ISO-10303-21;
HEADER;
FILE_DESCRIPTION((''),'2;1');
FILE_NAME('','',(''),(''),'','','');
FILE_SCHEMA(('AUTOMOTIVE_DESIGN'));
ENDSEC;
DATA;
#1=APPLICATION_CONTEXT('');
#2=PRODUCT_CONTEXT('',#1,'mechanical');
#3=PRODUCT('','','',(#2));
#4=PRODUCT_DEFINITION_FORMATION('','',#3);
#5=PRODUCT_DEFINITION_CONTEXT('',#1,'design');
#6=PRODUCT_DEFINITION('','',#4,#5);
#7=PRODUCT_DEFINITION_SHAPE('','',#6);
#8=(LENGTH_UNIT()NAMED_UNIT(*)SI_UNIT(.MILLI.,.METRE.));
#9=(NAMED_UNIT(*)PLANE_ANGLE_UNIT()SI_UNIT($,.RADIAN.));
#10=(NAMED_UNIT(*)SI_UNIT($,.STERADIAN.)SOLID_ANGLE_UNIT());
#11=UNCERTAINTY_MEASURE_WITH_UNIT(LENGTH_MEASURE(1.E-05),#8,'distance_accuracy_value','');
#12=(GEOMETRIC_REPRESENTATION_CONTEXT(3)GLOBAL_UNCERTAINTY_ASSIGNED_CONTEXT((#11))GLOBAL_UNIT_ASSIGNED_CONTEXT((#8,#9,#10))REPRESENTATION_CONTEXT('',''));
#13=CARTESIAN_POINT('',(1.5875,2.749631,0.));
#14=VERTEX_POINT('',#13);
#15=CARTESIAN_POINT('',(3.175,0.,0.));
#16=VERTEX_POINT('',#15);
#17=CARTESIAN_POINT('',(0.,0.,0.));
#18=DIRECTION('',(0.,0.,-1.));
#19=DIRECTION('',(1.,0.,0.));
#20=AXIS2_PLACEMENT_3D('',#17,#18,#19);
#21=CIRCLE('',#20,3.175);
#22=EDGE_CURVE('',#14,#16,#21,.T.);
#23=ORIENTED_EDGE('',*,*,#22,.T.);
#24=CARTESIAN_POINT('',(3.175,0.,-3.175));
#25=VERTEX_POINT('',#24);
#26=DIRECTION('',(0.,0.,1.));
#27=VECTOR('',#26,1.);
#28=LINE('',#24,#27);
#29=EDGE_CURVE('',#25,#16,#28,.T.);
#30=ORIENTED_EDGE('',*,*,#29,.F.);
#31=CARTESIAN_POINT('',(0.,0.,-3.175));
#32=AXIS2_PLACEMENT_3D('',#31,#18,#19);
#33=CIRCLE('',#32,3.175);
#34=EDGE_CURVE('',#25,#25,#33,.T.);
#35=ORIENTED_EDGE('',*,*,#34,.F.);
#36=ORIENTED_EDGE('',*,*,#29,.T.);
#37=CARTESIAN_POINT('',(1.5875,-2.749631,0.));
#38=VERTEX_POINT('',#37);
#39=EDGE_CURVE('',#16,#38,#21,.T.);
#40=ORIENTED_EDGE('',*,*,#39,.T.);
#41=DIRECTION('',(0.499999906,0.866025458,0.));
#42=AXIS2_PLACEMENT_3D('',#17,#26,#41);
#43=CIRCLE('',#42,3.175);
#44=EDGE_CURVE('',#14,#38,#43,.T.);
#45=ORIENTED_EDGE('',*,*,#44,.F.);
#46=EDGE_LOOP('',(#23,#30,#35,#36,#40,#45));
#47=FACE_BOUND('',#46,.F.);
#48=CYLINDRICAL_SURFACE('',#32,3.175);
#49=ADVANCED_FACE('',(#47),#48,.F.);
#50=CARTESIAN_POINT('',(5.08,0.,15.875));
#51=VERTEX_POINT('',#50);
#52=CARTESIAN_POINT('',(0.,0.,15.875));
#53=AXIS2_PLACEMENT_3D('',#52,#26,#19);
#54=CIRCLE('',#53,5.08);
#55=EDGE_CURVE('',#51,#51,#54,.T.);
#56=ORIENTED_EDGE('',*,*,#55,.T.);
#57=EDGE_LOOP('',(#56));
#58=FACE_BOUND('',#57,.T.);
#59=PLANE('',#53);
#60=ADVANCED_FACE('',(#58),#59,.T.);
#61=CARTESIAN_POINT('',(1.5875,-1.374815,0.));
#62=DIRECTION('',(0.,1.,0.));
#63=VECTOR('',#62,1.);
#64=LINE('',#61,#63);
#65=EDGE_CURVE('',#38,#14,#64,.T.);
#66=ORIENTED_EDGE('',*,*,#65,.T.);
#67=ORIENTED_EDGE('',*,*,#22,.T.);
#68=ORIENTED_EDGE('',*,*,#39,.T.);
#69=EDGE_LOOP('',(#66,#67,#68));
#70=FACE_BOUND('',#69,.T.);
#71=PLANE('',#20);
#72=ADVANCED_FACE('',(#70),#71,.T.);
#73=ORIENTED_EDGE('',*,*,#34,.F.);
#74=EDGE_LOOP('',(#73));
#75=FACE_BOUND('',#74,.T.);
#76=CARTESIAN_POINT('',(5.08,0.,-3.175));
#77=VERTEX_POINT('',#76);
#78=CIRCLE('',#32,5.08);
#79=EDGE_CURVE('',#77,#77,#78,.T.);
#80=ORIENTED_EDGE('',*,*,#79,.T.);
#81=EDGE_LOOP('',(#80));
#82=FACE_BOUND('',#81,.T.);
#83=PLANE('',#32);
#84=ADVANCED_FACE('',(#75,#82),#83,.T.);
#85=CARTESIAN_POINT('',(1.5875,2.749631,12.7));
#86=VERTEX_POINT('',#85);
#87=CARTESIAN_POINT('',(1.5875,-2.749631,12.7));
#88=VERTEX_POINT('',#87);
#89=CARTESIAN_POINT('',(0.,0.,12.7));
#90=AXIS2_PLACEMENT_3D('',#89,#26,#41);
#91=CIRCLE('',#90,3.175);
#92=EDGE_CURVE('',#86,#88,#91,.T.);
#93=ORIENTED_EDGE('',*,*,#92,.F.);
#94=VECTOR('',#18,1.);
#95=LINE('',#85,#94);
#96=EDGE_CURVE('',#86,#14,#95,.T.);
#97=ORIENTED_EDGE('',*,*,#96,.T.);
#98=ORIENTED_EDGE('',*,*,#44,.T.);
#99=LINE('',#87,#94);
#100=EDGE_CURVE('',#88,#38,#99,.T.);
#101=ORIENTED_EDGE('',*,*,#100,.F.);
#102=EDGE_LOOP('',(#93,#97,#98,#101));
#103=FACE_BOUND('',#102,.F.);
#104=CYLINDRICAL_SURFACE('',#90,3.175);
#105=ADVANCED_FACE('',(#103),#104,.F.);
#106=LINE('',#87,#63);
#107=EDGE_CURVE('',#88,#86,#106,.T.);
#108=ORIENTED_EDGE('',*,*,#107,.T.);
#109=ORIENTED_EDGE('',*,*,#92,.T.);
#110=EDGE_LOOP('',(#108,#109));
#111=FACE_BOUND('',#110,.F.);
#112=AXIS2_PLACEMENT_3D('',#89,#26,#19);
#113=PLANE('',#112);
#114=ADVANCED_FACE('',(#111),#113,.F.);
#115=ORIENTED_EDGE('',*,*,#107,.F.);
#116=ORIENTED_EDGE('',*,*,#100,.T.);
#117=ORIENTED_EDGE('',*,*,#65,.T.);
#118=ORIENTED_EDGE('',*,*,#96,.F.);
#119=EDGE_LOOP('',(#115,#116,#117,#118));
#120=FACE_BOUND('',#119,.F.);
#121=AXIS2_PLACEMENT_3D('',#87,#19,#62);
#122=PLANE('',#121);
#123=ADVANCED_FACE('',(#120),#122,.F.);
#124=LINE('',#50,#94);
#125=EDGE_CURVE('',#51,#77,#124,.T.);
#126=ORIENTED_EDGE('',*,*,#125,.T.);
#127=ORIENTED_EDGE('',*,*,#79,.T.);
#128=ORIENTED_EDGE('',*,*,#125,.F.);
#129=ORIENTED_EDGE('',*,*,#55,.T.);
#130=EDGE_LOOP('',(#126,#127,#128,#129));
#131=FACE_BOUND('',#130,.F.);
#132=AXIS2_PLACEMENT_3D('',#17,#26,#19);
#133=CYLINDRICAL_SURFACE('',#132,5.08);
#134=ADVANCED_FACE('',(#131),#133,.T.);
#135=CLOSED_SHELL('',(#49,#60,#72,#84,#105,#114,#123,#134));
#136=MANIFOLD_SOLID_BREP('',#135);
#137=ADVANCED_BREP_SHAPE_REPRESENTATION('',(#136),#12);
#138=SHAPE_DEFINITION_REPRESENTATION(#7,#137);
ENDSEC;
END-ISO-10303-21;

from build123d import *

# Parameters (mm, degrees)
F0_R     = 5.08
F1_DEPTH = 12.7
F3_DEPTH = 25.4
F4_R     = 5.08
F5_DEPTH = 3.175
F6_R     = 5.08
F7_DEPTH = 3.175
F8_R     = 3.175
F9_DEPTH = 3.175


with BuildPart() as f1:
    # F0 (on Top) → F1 (new body)
    with BuildSketch(Plane.XY):
        Circle(F0_R)
    extrude(amount=F1_DEPTH)

    # F2 (on face) → F3 (cut)
    with BuildSketch(Plane.XY.offset(12.7)):
        with BuildLine():
            Line((1.5875, -2.749631), (1.5875, 2.749631))
            ThreePointArc((1.5875, 2.749631), (-3.175, 0), (1.5875, -2.749631))
        make_face()
    extrude(amount=-F3_DEPTH, mode=Mode.SUBTRACT)

    # F4 (on face) → F5 (join)
    with BuildSketch(Plane.XY.offset(12.7)):
        Circle(F4_R)
    extrude(amount=F5_DEPTH)

    # F6 (on face) → F7 (join)
    with BuildSketch(Plane(origin=(0, 0, 0), x_dir=(1, 0, 0), z_dir=(0, 0, -1))):
        Circle(F6_R)
    extrude(amount=F7_DEPTH)

    # F8 (on face) → F9 (cut)
    with BuildSketch(Plane(origin=(0, 0, -3.175), x_dir=(1, 0, 0), z_dir=(0, 0, -1))):
        Circle(F8_R)
    extrude(amount=-F9_DEPTH, mode=Mode.SUBTRACT)


solid = f1.part
